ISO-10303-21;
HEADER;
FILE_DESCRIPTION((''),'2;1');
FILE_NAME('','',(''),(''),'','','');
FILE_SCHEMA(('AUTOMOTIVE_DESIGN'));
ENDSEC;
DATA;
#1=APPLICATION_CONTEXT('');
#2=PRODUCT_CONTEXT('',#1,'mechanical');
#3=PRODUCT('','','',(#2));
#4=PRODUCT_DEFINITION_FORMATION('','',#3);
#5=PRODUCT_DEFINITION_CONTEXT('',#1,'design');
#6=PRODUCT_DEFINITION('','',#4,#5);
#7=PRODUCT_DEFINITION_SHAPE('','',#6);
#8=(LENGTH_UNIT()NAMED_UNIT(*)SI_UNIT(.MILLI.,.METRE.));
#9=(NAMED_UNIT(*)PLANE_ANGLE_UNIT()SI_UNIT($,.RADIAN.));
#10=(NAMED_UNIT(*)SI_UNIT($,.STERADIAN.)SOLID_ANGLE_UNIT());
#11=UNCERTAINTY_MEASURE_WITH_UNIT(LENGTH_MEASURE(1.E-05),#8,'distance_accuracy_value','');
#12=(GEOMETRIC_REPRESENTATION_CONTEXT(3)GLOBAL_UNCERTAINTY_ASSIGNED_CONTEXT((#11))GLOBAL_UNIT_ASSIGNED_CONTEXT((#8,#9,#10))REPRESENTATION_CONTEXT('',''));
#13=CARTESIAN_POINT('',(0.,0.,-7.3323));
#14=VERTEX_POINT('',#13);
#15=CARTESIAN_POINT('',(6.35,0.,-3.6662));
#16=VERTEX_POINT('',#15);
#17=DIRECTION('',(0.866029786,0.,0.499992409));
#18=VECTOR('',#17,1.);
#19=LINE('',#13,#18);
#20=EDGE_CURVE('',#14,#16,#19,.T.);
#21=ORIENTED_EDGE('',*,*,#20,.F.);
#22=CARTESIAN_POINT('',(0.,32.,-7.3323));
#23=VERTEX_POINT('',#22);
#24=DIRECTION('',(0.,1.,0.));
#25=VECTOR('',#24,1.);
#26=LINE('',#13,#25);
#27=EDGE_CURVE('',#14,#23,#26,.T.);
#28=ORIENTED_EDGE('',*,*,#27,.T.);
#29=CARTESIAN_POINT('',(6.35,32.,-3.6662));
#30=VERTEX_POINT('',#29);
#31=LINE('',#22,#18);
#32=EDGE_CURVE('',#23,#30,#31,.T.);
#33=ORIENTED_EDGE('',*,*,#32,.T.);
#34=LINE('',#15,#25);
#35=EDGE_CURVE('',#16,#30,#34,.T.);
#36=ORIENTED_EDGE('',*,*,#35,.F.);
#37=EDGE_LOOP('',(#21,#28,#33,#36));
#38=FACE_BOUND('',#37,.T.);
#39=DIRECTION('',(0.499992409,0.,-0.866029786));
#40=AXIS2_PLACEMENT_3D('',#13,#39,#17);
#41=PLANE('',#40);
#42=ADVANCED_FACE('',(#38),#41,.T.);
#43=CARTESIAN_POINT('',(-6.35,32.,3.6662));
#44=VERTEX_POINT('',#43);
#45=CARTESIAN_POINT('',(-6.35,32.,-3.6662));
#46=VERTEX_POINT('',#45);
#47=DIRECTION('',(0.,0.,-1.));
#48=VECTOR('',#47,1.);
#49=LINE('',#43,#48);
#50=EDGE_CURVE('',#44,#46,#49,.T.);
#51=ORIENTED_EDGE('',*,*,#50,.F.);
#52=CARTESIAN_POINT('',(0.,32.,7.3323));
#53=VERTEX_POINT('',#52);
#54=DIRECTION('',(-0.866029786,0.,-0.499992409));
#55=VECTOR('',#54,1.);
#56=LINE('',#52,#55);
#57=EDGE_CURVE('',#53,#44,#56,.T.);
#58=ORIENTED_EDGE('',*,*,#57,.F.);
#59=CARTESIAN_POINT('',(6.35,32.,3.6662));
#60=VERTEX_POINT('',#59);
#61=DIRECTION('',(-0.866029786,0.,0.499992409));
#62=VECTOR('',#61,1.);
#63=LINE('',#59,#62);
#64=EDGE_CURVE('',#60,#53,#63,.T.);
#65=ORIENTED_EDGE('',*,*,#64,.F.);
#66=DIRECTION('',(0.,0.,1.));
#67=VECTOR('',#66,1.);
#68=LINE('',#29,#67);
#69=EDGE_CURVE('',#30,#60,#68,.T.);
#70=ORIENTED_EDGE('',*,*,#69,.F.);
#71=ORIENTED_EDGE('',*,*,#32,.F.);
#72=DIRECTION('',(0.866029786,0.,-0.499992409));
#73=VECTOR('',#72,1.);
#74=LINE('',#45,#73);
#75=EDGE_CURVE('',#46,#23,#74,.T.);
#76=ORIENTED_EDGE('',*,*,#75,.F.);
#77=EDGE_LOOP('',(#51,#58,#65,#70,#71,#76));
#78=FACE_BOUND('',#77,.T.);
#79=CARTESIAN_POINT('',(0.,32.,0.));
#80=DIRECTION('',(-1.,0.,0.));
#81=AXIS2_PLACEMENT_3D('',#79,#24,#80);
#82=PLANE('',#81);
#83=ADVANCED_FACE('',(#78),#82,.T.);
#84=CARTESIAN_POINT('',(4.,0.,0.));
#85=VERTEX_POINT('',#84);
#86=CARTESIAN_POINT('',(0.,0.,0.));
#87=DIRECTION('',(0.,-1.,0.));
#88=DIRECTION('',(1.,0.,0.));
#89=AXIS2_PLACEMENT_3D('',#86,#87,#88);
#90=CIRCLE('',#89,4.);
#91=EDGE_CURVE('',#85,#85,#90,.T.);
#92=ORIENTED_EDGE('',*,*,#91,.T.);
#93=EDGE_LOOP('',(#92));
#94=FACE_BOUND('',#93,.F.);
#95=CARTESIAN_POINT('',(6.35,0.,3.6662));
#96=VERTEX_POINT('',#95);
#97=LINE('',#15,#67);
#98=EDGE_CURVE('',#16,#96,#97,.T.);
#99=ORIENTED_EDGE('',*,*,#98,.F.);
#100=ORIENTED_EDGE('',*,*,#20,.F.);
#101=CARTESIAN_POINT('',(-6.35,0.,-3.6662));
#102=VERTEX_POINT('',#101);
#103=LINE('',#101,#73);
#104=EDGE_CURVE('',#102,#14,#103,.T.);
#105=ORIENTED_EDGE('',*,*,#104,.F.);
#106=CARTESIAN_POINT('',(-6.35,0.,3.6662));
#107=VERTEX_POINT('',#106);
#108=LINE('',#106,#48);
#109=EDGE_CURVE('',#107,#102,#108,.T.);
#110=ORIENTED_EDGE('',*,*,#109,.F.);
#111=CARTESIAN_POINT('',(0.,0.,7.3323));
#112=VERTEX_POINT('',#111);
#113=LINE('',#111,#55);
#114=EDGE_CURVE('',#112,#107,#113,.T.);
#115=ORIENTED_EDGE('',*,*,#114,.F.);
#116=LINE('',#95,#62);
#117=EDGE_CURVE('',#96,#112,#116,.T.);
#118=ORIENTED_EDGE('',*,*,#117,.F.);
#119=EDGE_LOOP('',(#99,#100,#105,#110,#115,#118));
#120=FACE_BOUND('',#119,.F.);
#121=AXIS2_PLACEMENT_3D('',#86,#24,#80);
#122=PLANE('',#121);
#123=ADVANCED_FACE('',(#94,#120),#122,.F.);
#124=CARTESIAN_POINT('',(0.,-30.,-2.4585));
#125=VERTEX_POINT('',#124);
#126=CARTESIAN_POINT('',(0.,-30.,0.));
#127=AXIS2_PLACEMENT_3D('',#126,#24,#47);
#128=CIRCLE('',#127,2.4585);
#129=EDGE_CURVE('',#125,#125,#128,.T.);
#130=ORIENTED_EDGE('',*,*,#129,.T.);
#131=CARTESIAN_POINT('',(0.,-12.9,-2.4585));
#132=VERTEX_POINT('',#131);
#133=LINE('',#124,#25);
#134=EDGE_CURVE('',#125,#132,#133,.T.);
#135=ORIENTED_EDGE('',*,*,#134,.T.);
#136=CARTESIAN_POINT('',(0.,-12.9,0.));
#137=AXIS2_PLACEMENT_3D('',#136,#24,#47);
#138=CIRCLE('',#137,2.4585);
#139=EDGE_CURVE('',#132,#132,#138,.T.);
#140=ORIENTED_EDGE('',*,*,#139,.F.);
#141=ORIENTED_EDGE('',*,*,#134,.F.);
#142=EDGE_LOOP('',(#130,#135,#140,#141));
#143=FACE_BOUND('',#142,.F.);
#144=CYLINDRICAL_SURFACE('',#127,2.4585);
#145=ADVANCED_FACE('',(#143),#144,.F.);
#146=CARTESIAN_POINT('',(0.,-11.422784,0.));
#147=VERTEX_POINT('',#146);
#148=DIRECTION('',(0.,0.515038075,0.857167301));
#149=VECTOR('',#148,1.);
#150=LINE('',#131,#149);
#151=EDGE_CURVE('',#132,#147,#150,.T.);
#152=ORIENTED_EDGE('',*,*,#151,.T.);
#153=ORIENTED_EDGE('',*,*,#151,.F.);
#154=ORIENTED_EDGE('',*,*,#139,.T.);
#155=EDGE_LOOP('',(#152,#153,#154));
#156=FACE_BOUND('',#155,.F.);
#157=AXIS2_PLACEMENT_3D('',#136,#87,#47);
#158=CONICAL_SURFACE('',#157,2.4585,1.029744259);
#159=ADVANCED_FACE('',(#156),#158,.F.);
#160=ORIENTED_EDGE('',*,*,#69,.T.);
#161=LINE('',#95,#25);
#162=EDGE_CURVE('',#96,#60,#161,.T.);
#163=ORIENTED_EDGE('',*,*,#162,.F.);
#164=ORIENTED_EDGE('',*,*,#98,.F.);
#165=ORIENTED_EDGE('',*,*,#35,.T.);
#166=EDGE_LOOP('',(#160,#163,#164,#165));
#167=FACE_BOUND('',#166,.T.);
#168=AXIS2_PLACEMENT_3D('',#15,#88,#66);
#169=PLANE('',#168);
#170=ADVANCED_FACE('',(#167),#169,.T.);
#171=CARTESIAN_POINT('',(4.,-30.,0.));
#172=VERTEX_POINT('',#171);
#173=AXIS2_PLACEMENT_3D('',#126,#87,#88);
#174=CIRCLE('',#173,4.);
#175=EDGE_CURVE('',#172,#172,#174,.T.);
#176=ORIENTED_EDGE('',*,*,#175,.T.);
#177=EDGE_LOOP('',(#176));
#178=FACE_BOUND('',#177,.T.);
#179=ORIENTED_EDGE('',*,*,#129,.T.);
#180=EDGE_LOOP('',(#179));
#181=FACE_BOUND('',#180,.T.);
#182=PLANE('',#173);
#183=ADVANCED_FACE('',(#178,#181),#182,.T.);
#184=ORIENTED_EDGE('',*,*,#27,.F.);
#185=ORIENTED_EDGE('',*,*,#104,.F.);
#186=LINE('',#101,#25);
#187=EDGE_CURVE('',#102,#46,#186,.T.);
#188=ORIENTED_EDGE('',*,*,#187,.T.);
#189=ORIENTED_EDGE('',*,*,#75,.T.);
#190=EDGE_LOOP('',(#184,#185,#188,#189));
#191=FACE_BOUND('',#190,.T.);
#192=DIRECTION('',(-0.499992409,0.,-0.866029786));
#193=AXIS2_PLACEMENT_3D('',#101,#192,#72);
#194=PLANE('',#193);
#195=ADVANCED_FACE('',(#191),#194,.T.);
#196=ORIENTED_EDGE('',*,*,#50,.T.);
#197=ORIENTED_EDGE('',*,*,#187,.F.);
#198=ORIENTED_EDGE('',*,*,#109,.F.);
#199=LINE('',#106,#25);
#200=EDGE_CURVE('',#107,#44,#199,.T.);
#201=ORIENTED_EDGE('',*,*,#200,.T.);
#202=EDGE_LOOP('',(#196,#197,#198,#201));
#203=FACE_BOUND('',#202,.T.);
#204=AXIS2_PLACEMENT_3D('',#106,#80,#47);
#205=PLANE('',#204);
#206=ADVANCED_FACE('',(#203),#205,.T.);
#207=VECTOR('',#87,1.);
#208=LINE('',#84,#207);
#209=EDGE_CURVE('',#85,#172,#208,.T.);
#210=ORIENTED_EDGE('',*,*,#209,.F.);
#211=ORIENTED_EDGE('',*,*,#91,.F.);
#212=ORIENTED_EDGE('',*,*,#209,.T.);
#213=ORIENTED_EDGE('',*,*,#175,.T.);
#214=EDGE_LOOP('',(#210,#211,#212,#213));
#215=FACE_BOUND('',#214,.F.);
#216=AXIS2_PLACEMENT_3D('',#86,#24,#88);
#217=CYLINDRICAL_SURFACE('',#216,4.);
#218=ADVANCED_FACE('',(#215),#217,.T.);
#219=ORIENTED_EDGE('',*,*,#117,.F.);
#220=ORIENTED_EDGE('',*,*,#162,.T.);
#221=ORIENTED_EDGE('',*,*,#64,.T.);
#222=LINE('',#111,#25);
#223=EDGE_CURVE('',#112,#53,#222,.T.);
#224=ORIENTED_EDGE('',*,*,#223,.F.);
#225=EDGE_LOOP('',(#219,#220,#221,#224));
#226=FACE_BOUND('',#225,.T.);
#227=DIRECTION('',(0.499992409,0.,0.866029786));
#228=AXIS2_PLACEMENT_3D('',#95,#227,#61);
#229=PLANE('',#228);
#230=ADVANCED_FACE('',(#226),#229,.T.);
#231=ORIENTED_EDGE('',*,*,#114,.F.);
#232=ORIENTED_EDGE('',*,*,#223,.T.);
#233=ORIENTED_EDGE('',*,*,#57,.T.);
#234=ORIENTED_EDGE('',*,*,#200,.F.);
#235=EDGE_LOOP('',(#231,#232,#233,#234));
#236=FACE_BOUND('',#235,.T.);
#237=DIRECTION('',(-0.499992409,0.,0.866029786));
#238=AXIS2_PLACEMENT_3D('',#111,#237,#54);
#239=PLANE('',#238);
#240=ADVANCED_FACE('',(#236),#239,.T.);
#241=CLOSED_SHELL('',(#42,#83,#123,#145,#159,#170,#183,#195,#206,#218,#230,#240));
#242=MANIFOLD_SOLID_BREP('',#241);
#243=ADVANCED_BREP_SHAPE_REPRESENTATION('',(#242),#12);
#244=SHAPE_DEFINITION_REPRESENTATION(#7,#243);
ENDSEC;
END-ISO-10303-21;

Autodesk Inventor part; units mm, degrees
ref_plane "YZ Plane" through (0, 0, 0) normal (1, 0, 0) x (0, 1, 0)
ref_plane "XZ Plane" through (0, 0, 0) normal (0, 1, 0) x (-1, 0, 0)
ref_plane "XY Plane" through (0, 0, 0) normal (0, 0, 1) x (1, 0, 0)
sketch "Sketch1" plane through (0, 0, 0) normal (0, 1, 0) x (-1, 0, 0)
  line L0 (0, 7.3323) -> (6.35, 3.6662)
  line L1 (6.35, 3.6662) -> (6.35, -3.6662)
  line L2 (6.35, -3.6662) -> (0, -7.3323)
  line L3 (0, -7.3323) -> (-6.35, -3.6662)
  line L4 (-6.35, -3.6662) -> (-6.35, 3.6662)
  line L5 (-6.35, 3.6662) -> (0, 7.3323)
  point P0 (0, 0)
  point P1 (0, 0)
  dimension "d0" = 12.7
extrude "Extrusion1" add sketch "Sketch1" along normal blind 32
sketch "Sketch2" plane through (0, 0, 0) normal (0, -1, 0) x (1, 0, 0)
  circle A0 centre (0, 0) radius 4
  dimension "d3" = 8
extrude "Extrusion2" add sketch "Sketch2" along normal blind 30
sketch "Sketch3" plane through (0, -30, 0) normal (0, -1, 0) x (1, 0, 0)
  point P0 (0, 0)
hole "Hole1" at (0, -30, 0) direction (0, 1, 0) diameter 4.917 depth 17.1 tip angle 118 thread size "M6x1" class "6H" standard "ANSI Metric M Profile"
properties part number "Axle"
